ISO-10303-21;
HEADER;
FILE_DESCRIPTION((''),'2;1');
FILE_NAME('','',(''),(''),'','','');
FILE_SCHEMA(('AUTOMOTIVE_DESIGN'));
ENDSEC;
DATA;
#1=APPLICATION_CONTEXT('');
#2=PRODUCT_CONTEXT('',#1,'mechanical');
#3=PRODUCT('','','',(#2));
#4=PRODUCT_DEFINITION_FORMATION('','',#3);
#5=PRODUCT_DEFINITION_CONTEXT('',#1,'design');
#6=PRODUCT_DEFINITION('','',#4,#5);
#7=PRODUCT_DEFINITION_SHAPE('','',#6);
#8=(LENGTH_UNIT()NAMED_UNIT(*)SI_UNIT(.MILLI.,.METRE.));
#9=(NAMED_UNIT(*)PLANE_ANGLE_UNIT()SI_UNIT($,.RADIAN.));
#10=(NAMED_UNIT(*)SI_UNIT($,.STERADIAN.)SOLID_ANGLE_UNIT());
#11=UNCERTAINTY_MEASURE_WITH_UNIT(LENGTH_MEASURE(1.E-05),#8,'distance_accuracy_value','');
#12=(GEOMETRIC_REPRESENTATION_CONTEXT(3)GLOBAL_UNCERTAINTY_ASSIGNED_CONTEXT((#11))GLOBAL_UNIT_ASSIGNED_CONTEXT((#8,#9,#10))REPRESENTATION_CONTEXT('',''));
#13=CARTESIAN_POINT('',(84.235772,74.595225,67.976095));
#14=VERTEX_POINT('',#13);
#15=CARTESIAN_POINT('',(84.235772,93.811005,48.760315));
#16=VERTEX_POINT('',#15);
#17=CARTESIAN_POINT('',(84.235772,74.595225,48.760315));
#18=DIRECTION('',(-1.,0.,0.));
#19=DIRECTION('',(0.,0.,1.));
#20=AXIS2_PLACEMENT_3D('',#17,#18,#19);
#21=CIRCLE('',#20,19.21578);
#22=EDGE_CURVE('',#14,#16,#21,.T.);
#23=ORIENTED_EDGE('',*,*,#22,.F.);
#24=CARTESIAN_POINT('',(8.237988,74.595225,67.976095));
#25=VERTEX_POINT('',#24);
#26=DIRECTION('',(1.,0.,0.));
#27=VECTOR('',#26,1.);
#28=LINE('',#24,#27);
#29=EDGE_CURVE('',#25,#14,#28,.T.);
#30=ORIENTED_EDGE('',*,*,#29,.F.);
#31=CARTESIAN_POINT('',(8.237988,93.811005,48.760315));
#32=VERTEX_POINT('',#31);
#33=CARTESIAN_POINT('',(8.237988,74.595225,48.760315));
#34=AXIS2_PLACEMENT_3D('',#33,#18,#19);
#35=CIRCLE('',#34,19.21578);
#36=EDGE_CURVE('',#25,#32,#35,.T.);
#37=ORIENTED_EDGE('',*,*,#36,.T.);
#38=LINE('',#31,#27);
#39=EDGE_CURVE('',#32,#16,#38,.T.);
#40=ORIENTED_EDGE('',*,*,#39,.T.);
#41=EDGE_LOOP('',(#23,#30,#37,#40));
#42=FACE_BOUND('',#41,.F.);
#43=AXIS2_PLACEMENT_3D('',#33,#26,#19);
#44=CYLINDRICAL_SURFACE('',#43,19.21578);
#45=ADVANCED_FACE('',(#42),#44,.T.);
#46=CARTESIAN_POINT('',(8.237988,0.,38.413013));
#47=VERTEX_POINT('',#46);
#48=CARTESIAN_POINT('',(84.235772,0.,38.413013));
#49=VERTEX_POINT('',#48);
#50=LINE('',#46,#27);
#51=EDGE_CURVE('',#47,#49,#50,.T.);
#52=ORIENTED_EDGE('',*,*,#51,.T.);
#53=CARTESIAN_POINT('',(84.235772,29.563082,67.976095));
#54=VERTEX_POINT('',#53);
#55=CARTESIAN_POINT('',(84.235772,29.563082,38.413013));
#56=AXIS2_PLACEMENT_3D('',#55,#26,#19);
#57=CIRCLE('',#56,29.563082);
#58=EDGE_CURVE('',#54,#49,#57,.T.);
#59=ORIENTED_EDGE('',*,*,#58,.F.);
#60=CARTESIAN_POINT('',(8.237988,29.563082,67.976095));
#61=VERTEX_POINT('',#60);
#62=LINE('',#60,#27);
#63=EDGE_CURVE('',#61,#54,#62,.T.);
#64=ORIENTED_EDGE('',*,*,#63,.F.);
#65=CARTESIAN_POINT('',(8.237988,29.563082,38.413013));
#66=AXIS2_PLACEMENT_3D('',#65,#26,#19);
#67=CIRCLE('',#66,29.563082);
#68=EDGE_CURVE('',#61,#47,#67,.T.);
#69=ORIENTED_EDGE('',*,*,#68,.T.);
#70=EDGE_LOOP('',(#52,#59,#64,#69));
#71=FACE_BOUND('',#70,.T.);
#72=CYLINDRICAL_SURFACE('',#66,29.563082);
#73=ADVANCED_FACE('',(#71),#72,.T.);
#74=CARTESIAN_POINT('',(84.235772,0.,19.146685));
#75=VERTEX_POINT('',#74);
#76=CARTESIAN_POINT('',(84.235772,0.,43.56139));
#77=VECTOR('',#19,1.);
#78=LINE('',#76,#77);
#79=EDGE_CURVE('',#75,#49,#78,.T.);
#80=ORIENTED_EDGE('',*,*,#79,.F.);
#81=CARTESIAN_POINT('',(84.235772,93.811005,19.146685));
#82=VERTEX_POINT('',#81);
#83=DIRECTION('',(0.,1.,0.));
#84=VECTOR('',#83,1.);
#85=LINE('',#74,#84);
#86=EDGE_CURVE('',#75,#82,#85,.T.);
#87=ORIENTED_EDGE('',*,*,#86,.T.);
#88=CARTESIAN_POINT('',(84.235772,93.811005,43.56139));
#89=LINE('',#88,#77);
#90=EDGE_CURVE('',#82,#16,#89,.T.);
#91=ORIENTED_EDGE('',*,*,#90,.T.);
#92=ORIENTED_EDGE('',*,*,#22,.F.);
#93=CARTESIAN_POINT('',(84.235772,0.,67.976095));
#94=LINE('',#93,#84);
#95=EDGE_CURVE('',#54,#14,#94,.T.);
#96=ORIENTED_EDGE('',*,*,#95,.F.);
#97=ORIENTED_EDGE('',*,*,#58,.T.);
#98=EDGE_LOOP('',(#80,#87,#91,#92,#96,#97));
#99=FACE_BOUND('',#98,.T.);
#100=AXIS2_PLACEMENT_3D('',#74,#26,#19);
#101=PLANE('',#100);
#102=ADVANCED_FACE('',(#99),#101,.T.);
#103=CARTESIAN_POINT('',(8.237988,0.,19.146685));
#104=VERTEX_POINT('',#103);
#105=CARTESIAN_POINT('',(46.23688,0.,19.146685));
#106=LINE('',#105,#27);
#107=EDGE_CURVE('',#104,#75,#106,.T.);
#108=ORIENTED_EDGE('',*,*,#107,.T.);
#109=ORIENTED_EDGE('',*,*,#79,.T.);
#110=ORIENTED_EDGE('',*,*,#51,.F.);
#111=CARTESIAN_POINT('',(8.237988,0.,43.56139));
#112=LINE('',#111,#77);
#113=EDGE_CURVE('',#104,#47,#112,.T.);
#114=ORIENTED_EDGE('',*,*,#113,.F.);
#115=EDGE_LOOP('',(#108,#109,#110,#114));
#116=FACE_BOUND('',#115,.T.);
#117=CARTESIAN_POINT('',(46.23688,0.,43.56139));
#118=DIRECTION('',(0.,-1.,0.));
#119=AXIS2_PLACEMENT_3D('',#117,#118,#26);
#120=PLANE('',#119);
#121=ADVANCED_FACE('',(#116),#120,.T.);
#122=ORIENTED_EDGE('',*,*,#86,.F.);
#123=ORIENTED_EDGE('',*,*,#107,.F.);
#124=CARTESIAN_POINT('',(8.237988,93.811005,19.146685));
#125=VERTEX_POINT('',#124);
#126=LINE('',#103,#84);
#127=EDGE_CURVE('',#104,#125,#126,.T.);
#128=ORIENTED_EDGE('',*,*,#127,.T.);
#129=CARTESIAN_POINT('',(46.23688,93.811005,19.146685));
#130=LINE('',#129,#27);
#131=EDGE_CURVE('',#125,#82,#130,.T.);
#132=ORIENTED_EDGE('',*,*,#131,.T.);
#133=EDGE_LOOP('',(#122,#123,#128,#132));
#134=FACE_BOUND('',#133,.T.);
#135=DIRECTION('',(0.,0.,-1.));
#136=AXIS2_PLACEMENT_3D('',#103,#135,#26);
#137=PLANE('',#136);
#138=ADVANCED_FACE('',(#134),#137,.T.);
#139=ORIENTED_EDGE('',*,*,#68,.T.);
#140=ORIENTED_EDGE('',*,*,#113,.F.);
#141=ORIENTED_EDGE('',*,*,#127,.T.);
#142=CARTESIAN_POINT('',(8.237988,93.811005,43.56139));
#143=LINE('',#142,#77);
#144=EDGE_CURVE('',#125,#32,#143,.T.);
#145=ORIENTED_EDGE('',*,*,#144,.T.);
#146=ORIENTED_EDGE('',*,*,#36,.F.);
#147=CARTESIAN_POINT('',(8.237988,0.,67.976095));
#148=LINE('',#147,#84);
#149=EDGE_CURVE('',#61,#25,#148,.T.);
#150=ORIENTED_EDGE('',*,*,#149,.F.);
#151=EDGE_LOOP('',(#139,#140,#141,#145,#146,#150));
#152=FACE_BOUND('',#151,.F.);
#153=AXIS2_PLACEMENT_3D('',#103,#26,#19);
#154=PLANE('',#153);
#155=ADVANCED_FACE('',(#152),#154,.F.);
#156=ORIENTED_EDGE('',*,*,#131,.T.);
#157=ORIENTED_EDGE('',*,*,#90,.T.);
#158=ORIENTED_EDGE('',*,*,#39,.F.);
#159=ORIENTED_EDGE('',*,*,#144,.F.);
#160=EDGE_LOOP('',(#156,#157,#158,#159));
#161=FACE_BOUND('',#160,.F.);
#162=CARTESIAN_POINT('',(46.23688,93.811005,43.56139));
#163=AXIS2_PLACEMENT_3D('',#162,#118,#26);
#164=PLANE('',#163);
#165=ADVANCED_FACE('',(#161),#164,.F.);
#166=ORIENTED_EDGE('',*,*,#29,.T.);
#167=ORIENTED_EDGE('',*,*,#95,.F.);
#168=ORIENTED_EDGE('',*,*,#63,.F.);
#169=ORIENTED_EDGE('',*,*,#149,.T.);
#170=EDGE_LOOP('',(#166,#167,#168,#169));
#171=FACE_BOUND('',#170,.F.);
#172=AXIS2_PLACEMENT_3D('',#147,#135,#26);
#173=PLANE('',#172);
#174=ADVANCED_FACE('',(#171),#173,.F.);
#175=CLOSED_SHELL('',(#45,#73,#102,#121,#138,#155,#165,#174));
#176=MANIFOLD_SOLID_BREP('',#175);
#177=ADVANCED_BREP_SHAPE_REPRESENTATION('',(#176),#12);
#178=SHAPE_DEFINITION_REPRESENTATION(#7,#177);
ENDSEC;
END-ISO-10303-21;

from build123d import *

# Parameters (mm, degrees)
F0_W     = 75.997784
F0_H     = 48.82941
F1_DEPTH = 93.811005
F2_R     = 19.21578
F3_R     = 29.563082


with BuildPart() as f1:
    # F0 (on Front) → F1 (new body)
    with BuildSketch(Plane.XZ):
        with Locations((46.23688, 43.56139)):
            Rectangle(F0_W, F0_H)
    extrude(amount=-F1_DEPTH)

    # F2
    f2_edges = [f1.edges().sort_by_distance(p)[0] for p in [
        (46.23688, 93.811005, 67.976095),
    ]]
    fillet(f2_edges, radius=F2_R)

    # F3
    f3_edges = [f1.edges().sort_by_distance(p)[0] for p in [
        (46.23688, 0, 67.976095),
    ]]
    fillet(f3_edges, radius=F3_R)


solid = f1.part
